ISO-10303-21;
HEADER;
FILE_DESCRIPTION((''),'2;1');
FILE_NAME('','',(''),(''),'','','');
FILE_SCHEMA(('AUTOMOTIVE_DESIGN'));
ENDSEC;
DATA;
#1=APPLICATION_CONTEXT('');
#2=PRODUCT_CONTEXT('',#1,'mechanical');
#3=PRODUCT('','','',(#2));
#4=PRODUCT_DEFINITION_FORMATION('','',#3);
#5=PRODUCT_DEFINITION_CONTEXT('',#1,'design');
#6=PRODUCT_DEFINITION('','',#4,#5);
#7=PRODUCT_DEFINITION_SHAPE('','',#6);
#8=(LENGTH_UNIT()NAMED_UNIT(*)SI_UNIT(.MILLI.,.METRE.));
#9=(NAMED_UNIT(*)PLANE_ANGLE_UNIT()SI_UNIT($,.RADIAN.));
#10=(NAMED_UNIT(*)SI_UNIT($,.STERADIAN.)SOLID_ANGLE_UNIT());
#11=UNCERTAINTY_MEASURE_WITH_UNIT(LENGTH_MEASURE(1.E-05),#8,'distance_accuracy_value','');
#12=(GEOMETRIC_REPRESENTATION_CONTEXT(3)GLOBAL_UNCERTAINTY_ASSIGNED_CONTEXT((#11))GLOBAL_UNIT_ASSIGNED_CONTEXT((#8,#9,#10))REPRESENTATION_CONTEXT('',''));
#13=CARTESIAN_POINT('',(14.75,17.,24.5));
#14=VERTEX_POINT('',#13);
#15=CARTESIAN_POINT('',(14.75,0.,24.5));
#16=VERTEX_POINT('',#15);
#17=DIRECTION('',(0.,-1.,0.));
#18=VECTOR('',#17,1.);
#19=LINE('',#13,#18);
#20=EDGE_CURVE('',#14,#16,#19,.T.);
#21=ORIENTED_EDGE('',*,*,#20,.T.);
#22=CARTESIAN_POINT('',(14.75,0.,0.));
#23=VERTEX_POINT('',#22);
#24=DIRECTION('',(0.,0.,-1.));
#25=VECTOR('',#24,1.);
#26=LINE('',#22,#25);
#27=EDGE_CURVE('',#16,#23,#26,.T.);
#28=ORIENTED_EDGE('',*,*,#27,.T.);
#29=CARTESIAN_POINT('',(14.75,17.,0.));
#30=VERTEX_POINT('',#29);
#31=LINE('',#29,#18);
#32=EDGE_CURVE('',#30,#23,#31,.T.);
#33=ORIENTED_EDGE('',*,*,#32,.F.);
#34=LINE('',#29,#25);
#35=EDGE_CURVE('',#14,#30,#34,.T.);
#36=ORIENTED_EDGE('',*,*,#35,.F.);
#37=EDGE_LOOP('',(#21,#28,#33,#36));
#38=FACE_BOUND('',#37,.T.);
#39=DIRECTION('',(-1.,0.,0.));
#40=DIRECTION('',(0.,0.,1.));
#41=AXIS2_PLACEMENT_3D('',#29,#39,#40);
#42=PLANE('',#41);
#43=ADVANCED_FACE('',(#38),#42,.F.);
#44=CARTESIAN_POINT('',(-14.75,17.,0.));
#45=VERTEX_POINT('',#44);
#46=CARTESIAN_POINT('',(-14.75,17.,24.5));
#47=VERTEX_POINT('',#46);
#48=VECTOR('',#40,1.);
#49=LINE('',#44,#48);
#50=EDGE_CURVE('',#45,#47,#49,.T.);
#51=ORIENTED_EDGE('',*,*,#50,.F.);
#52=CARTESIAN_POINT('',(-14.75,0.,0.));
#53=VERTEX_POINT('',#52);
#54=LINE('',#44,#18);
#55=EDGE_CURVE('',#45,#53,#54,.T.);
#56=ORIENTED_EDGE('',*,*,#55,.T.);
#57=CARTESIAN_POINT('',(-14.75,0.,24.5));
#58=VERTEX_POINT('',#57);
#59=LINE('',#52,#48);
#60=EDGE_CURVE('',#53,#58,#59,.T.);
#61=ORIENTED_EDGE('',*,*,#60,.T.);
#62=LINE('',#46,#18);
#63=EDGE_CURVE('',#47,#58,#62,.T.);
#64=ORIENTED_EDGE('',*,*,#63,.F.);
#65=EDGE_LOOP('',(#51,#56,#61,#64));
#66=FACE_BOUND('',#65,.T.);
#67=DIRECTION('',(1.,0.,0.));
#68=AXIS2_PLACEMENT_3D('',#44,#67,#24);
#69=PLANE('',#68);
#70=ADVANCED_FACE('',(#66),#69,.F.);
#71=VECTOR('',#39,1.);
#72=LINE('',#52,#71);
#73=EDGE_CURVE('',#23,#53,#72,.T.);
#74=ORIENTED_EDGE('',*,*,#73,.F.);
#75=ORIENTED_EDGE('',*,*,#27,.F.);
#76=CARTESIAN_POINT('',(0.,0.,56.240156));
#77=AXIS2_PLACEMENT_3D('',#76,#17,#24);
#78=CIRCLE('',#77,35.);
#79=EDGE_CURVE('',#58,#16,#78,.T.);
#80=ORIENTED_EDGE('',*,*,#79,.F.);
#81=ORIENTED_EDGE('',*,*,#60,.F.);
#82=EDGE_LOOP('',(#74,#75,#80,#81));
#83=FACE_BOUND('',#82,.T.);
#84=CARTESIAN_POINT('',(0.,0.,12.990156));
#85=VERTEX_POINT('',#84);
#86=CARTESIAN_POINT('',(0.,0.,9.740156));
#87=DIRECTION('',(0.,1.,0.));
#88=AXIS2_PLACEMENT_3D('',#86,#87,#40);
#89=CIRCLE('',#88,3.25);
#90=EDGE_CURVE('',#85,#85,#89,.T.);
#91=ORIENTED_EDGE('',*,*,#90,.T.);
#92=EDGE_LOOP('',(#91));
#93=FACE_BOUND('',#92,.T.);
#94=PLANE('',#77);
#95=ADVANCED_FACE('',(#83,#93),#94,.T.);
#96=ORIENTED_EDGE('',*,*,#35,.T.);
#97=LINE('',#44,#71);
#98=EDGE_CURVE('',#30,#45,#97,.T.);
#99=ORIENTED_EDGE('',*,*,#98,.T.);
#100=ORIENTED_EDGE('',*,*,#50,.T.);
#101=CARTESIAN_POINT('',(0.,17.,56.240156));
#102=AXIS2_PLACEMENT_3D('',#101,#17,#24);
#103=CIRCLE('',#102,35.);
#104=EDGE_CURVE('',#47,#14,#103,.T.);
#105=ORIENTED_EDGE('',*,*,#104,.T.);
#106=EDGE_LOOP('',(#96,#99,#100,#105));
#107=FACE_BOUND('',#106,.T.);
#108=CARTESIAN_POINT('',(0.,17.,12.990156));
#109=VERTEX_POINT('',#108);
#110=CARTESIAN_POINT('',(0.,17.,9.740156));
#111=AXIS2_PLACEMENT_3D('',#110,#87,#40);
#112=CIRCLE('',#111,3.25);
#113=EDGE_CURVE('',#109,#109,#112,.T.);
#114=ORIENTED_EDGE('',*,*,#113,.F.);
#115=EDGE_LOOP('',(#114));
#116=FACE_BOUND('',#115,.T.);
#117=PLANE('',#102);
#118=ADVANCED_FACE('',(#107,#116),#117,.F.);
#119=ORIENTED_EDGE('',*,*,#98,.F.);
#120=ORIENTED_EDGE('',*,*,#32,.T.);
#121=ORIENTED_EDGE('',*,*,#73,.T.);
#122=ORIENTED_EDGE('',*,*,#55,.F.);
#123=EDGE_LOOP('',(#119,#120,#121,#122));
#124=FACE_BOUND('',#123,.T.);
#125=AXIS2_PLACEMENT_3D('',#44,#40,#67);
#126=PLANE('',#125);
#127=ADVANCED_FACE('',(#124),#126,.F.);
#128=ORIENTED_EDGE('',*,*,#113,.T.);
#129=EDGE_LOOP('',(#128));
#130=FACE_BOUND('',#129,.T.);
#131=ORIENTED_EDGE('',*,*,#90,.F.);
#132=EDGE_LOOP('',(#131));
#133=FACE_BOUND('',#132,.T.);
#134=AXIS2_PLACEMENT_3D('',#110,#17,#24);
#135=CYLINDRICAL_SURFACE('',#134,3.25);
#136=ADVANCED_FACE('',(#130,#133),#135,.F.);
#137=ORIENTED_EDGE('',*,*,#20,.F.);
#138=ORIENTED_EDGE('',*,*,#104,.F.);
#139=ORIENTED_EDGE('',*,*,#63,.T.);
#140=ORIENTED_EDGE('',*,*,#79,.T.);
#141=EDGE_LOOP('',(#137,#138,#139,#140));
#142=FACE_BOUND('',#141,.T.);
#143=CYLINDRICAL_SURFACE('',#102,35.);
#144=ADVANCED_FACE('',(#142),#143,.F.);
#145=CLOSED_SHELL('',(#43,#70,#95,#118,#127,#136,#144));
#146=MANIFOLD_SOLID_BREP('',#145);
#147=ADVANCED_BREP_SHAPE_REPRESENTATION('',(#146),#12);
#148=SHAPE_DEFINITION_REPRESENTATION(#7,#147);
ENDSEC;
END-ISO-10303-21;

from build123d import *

# Parameters (mm, degrees)
ESQUISSE1_R        = 3.25
BOSS_EXTRU_1_DEPTH = 17


with BuildPart() as part:
    # Esquisse1 → Boss.-Extru.1 (new body)
    with BuildSketch(Plane(origin=(0, 0, 0), x_dir=(1, 0, 0), z_dir=(0, 1, 0))):
        with BuildLine():
            Line((-14.75, 0), (14.75, 0))
            Line((14.75, 0), (14.75, -24.5))
            ThreePointArc((14.75, -24.5), (0, -21.240155954), (-14.75, -24.5))
            Line((-14.75, -24.5), (-14.75, 0))
        make_face()
        with Locations(Location((0, -9.740155954, 0), (0, 0, 270))):
            Circle(ESQUISSE1_R, mode=Mode.SUBTRACT)
    extrude(amount=BOSS_EXTRU_1_DEPTH)


solid = part.part
